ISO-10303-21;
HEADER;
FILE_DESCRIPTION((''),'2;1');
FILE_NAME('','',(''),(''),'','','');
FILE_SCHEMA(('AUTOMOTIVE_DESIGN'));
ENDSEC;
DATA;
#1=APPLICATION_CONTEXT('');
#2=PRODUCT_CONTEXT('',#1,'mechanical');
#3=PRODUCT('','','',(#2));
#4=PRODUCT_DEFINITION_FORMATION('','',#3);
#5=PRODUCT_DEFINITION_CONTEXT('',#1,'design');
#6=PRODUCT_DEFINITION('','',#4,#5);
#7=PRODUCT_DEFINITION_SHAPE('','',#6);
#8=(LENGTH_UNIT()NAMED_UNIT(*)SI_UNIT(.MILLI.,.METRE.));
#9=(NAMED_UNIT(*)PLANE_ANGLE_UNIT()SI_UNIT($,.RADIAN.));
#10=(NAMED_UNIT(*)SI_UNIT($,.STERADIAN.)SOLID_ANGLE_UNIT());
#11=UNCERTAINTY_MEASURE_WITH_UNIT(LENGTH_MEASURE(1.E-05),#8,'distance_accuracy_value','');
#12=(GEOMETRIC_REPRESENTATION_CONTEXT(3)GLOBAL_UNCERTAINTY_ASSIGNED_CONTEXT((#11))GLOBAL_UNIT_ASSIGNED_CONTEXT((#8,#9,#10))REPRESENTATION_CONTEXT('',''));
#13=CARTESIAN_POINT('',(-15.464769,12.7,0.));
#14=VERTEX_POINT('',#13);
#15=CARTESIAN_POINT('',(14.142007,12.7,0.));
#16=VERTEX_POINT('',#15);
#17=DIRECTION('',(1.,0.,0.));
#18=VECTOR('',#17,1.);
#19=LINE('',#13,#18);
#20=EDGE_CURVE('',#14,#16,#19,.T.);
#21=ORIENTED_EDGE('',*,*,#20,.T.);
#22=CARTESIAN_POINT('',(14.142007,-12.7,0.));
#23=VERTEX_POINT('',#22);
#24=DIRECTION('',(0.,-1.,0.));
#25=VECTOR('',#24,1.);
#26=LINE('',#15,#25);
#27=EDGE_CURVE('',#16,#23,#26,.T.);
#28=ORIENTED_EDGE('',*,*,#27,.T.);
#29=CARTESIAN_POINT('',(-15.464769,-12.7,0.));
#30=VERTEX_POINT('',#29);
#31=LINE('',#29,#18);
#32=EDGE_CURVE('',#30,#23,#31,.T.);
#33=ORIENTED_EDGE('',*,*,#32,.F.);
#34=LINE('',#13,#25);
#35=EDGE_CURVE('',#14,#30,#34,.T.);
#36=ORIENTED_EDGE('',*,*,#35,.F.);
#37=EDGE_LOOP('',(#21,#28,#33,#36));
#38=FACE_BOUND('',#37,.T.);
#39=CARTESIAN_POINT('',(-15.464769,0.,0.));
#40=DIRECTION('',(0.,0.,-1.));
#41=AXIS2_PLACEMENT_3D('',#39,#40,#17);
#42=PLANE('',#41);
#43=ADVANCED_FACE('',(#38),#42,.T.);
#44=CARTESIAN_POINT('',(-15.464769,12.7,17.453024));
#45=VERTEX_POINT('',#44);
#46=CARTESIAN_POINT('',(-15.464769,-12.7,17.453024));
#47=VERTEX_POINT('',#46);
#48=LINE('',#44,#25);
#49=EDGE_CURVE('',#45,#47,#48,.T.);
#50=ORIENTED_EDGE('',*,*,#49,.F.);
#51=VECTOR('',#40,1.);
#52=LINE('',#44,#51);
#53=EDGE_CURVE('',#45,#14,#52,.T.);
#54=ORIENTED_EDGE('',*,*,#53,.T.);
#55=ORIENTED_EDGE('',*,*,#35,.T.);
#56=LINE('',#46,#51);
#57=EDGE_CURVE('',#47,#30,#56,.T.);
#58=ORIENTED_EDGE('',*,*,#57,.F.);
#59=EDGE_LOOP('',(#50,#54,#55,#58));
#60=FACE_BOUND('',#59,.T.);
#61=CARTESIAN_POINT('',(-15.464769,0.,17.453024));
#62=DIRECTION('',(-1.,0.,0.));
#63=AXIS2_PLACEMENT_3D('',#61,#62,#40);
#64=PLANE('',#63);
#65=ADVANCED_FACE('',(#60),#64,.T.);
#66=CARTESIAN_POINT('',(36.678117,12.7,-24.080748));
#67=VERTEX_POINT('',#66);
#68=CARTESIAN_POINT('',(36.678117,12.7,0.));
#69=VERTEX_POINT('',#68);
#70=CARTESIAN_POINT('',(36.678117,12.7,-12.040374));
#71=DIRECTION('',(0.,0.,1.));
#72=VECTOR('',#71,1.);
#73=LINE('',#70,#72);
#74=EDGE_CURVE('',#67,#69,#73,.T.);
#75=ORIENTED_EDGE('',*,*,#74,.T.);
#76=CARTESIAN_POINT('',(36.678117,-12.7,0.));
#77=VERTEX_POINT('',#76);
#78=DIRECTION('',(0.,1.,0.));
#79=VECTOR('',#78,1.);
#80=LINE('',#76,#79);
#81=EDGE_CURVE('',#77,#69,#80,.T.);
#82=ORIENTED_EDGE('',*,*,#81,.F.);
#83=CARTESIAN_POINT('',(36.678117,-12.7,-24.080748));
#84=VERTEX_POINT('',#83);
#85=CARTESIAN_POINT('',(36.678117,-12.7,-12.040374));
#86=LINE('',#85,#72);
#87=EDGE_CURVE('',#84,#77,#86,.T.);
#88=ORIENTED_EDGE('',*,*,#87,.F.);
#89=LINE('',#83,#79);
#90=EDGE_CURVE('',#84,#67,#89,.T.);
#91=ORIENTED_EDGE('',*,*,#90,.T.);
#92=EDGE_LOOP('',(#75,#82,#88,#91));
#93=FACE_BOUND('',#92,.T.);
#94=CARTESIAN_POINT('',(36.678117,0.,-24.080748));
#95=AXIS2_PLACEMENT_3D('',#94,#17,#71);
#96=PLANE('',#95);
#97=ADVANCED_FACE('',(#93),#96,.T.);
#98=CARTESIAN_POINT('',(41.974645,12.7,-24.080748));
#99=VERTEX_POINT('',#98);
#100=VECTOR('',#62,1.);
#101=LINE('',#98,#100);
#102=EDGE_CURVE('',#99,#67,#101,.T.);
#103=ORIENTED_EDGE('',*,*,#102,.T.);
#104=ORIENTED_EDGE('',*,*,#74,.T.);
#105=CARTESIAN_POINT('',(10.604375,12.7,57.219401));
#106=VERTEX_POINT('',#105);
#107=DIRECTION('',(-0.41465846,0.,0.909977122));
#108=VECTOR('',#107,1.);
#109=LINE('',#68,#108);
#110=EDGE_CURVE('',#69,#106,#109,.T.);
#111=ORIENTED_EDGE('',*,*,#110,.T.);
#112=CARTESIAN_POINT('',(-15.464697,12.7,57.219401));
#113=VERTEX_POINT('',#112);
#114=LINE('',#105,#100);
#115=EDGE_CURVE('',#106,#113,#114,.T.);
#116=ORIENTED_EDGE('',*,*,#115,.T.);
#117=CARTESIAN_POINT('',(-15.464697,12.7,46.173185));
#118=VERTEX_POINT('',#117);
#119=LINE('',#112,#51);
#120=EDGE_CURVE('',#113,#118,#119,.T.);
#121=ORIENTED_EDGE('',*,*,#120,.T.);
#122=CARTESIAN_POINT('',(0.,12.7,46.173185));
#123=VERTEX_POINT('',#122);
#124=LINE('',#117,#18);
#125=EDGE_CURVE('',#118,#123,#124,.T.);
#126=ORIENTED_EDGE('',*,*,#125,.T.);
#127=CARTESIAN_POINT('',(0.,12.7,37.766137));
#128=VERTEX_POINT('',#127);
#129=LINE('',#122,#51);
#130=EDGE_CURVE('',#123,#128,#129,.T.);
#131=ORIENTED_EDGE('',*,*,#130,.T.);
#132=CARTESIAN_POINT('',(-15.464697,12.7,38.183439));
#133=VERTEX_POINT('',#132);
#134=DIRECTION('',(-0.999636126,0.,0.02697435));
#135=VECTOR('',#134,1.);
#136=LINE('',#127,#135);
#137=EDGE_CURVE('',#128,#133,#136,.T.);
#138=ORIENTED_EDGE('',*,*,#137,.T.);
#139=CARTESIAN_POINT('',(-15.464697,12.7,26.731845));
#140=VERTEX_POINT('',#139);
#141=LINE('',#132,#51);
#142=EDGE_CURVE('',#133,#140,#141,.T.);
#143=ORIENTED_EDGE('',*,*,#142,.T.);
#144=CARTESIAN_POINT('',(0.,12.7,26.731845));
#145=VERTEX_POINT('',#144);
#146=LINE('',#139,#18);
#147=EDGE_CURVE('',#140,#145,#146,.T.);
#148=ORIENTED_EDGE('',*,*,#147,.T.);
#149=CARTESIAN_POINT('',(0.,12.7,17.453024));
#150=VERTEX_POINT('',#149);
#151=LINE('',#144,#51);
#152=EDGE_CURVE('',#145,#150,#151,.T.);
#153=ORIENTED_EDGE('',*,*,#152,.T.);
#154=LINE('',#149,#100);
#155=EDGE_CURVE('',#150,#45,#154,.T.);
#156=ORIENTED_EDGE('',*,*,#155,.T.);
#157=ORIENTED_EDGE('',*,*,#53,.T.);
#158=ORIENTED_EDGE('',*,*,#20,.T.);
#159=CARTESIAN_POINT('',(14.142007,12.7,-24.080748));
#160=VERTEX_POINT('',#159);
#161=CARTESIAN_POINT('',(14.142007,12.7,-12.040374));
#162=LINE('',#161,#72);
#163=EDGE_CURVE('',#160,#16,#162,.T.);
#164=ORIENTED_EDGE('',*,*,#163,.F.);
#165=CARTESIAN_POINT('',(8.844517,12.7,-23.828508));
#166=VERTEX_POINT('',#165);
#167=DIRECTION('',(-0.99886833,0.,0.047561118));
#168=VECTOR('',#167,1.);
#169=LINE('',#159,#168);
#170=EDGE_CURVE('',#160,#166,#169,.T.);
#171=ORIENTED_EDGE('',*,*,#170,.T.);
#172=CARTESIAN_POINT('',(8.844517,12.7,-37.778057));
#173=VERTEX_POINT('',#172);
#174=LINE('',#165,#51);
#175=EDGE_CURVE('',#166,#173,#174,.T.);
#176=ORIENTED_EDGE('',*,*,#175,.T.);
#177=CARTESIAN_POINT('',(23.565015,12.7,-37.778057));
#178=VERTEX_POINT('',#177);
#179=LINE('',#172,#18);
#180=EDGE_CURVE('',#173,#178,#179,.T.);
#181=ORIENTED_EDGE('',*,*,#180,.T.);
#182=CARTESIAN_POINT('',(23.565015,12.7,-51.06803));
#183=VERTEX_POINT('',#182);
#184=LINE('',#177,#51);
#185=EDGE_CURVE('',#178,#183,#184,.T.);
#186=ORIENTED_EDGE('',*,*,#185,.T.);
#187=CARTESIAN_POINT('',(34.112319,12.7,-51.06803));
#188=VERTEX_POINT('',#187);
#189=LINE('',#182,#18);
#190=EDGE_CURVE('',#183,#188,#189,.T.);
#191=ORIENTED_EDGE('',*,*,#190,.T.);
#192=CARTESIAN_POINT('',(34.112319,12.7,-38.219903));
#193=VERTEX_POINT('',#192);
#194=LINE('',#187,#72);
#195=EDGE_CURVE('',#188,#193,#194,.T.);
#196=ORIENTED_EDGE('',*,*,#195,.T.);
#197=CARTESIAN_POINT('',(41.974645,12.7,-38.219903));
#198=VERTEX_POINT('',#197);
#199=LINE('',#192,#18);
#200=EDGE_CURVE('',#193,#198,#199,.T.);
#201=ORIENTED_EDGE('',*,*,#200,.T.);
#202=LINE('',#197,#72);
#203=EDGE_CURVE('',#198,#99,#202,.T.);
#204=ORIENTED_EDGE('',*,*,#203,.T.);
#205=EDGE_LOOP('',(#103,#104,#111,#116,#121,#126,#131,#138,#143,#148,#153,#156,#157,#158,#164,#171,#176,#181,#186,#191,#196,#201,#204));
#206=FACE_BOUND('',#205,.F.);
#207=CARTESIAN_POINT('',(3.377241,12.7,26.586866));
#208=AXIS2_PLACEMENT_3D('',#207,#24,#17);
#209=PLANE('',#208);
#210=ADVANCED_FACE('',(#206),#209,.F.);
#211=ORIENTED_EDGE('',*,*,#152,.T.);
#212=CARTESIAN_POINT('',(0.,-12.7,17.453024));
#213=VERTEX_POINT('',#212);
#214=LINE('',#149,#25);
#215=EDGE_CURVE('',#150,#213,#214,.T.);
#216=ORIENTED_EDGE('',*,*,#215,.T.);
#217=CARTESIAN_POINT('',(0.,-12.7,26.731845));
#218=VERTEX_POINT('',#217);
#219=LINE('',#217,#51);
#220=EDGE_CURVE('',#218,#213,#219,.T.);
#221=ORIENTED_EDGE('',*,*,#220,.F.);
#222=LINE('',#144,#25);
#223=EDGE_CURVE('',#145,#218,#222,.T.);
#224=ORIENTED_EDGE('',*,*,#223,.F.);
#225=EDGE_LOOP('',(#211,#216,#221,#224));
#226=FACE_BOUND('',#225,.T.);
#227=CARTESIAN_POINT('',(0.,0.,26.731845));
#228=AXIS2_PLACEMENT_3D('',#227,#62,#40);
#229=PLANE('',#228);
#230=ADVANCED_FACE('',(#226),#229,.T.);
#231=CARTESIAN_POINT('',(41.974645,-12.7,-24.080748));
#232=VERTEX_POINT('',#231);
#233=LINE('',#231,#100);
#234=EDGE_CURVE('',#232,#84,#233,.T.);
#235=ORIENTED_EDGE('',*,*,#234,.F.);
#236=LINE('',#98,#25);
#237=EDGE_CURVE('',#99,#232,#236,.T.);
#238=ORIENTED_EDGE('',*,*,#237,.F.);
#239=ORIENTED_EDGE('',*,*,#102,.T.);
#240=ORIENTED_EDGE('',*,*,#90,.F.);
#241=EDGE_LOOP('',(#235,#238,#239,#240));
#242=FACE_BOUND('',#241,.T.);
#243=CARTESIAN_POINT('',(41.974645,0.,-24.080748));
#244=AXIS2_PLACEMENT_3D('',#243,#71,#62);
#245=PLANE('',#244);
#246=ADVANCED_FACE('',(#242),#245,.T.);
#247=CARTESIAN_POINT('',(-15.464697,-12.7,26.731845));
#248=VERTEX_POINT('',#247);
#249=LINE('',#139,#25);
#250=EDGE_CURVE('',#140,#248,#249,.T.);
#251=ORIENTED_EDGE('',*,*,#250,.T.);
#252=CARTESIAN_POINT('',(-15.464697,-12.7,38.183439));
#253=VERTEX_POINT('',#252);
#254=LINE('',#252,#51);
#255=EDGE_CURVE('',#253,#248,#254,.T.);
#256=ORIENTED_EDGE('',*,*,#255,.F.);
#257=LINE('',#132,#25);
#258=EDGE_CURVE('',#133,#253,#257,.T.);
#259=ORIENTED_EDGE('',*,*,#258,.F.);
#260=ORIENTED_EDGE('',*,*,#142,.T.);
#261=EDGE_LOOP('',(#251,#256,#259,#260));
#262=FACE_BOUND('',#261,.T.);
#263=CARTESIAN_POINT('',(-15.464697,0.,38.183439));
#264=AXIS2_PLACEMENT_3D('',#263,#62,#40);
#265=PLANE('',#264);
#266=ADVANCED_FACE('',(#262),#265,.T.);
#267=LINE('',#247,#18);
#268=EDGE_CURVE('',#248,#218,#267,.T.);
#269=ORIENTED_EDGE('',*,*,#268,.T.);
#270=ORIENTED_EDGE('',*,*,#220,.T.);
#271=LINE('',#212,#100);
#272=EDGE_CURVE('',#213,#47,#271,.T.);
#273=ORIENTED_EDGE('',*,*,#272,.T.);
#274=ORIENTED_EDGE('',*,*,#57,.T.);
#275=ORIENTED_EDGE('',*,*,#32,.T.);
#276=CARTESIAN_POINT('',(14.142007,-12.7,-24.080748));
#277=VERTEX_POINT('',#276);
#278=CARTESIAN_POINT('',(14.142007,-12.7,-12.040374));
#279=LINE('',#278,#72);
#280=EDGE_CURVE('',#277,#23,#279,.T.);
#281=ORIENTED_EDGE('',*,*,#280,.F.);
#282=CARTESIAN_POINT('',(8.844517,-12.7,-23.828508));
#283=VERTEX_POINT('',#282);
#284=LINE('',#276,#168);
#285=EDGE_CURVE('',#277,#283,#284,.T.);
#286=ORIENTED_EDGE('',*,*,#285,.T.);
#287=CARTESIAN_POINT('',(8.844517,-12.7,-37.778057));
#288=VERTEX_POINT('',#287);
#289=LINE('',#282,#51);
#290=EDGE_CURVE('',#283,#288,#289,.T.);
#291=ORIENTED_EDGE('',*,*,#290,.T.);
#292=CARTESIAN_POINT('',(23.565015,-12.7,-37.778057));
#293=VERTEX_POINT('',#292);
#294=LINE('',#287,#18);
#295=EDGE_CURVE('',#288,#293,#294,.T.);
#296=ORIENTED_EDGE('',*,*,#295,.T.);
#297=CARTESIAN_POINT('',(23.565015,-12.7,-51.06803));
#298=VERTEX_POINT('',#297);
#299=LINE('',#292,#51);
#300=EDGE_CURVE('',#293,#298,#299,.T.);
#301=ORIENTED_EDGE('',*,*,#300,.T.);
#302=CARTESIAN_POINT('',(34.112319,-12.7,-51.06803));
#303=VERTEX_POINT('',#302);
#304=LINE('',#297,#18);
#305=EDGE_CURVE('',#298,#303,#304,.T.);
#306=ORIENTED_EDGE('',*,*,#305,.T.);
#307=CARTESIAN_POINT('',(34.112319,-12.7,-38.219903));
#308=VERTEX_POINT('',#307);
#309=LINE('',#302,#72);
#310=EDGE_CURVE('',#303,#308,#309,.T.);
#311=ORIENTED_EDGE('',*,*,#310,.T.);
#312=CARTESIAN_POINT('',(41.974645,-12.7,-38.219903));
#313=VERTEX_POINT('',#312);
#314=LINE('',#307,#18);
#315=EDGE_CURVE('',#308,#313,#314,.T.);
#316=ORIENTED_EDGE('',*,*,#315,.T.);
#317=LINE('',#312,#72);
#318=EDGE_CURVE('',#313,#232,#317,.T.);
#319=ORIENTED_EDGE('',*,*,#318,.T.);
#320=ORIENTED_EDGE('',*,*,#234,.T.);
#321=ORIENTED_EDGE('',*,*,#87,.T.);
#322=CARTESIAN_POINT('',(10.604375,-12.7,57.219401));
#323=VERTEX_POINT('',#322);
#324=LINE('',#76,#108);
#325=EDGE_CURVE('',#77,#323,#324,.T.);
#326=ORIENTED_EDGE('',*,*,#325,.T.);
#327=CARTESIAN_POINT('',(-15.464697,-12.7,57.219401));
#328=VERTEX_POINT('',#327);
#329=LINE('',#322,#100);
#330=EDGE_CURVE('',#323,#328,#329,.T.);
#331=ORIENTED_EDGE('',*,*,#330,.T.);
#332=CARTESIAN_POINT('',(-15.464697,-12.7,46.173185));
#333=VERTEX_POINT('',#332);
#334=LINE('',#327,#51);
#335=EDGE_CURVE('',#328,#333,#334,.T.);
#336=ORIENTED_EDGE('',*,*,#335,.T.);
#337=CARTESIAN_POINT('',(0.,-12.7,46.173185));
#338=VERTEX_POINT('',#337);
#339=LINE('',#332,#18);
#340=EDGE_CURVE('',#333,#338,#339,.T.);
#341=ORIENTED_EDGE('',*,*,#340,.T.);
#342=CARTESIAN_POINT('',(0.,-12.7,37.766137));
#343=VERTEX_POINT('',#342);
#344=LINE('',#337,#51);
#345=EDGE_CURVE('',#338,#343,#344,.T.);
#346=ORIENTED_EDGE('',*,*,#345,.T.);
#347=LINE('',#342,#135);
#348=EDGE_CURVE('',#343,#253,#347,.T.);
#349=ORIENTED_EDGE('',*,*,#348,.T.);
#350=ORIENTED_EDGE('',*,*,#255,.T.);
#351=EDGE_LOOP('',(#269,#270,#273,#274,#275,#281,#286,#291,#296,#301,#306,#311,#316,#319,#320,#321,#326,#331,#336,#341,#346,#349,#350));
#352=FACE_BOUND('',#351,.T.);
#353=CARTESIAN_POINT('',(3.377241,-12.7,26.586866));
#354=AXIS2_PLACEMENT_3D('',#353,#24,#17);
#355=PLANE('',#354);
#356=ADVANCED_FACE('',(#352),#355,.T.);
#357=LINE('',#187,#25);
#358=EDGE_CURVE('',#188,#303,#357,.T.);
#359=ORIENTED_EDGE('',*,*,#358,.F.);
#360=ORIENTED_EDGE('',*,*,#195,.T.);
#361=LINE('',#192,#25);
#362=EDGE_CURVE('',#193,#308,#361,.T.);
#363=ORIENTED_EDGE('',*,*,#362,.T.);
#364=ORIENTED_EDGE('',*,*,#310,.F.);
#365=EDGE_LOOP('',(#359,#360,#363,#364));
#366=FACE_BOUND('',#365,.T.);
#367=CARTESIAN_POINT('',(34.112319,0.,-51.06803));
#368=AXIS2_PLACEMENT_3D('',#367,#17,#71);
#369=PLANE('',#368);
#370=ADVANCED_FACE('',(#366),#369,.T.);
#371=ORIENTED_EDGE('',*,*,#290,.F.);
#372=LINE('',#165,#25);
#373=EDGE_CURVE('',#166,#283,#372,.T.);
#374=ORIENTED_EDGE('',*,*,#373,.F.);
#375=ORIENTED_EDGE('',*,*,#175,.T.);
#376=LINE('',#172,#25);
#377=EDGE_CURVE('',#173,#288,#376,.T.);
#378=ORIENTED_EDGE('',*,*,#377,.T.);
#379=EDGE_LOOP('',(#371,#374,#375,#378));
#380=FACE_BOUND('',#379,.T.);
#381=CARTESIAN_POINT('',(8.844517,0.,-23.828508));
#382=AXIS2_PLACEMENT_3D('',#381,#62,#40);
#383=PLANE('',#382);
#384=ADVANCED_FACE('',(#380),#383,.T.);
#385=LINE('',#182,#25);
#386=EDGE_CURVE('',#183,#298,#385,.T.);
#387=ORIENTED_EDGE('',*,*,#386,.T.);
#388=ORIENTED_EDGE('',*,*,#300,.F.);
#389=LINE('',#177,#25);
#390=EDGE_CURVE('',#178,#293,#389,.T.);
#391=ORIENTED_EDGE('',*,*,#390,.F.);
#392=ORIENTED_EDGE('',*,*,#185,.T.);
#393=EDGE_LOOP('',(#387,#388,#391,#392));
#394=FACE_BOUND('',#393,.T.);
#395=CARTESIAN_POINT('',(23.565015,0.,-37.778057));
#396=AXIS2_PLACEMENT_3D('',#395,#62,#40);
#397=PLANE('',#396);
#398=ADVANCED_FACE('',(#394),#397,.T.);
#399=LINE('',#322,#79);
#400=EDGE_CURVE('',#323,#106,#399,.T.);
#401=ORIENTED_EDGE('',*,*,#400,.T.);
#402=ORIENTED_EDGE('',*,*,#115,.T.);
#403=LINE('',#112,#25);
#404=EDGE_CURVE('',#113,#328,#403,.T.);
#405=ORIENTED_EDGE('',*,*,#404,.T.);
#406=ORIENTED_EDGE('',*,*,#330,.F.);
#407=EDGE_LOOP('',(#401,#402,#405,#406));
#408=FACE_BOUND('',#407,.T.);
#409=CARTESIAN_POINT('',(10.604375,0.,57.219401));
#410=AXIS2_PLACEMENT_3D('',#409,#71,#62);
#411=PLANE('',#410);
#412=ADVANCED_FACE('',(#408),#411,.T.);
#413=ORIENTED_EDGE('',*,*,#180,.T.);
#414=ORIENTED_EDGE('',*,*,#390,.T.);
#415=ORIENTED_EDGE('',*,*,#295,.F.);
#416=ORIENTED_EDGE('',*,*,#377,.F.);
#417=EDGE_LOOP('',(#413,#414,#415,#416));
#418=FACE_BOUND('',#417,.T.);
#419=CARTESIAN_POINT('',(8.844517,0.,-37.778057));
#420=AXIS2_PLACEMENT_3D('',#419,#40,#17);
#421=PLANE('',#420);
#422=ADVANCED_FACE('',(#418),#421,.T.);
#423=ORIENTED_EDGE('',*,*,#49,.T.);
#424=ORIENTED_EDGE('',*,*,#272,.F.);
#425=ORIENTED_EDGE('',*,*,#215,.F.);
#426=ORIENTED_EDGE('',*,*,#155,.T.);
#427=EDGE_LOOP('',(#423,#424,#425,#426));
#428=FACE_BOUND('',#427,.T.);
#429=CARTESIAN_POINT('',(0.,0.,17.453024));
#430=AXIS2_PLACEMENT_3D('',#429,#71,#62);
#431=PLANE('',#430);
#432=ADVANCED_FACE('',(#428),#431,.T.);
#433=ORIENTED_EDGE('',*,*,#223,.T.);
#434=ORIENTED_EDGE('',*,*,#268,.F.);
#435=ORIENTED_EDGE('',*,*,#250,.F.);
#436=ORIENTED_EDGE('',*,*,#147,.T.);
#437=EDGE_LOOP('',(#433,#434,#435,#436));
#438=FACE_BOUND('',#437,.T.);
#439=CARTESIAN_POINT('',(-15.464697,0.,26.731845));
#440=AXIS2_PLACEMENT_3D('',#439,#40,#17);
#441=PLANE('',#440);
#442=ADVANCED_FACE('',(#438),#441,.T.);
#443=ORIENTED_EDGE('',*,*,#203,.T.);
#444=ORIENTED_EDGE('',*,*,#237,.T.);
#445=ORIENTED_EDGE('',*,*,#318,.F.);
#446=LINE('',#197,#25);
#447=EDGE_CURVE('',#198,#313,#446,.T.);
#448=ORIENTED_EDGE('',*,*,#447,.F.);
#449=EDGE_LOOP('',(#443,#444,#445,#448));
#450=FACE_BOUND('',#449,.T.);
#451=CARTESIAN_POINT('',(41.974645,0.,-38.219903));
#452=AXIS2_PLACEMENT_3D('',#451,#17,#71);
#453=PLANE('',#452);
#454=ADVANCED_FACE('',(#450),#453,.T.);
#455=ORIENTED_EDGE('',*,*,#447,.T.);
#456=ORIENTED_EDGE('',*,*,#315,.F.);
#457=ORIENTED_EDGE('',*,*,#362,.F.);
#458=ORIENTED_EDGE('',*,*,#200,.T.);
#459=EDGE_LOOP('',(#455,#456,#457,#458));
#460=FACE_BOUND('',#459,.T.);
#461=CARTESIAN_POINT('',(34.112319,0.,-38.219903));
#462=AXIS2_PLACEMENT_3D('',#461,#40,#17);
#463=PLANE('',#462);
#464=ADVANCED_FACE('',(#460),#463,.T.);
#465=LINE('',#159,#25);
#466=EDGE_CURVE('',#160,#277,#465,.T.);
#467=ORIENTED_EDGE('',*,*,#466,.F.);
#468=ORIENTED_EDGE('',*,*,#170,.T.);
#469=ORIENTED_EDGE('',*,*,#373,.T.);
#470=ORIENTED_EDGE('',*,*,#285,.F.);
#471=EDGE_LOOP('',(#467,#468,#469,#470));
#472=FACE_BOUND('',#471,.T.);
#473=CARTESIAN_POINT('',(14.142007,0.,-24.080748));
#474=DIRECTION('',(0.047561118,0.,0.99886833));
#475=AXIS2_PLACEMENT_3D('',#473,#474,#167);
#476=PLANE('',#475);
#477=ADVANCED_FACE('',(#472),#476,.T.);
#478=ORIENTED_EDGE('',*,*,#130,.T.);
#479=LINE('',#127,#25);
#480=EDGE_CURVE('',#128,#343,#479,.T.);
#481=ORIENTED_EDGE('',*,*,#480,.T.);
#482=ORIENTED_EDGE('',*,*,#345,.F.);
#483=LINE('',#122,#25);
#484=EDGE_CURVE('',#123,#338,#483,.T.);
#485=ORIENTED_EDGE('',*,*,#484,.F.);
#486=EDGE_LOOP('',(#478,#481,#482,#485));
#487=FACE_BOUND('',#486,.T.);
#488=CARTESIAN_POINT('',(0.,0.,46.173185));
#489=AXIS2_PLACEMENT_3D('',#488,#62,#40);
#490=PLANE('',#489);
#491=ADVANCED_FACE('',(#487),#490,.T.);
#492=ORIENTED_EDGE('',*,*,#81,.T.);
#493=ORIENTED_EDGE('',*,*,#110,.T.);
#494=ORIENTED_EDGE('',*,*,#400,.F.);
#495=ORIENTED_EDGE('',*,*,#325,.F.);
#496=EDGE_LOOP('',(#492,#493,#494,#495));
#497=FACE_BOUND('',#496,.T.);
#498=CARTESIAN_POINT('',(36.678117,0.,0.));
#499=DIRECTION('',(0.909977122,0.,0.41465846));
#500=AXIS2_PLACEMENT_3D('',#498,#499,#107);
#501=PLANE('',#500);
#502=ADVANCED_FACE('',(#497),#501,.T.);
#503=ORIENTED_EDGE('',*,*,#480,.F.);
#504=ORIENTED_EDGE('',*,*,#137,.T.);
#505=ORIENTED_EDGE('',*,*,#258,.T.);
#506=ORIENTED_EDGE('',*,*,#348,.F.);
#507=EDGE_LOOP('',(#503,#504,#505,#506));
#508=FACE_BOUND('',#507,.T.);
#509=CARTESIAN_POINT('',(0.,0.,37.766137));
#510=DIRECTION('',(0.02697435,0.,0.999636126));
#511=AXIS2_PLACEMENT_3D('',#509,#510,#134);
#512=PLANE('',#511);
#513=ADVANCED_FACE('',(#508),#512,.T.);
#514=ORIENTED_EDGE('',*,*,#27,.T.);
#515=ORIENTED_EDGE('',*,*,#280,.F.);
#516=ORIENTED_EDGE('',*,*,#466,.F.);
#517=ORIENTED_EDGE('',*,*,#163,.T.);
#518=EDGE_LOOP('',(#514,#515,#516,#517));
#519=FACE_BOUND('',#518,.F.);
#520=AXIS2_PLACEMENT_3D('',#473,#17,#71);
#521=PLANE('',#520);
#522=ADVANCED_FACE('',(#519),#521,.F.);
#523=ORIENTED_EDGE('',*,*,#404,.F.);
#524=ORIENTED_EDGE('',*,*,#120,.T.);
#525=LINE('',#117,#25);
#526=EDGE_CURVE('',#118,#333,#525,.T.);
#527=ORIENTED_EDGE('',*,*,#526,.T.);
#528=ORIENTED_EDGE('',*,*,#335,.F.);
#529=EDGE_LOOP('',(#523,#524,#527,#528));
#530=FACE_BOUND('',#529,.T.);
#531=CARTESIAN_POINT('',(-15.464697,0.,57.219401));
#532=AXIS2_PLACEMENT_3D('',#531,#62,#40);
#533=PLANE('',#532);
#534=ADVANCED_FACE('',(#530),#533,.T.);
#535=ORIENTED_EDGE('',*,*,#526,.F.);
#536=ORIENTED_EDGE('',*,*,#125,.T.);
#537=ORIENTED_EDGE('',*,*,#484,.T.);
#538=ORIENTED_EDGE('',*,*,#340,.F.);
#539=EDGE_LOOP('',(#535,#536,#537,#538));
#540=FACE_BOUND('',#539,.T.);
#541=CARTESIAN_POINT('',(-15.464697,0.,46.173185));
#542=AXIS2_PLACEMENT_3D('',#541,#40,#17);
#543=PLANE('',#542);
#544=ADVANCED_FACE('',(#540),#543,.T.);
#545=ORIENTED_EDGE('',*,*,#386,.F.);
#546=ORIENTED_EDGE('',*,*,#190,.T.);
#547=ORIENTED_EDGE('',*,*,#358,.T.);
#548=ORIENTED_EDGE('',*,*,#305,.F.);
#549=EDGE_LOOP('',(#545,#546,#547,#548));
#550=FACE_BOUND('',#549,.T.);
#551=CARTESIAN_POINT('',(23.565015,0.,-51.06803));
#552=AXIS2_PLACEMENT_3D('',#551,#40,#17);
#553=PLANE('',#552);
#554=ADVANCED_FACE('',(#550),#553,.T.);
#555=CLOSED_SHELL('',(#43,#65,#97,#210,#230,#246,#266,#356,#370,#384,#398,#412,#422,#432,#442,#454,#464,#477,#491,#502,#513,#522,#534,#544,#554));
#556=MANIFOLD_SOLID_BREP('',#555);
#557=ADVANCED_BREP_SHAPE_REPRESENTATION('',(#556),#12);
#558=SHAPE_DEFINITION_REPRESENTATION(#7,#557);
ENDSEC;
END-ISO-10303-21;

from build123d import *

# Parameters (mm, degrees)
F0_W     = 22.53611
F0_H     = 24.080748
F1_DEPTH = 12.7


with BuildPart() as f1:
    # F0 (on Front) → F1 (new body, symmetric)
    with BuildSketch(Plane.XZ):
        Polygon((10.604375, 57.219401), (-15.464697, 57.219401), (-15.464697, 46.173185), (0, 46.173185), (0, 37.766137), (-15.464697, 38.183439), (-15.464697, 26.731845), (0, 26.731845), (0, 17.453024), (-15.464769, 17.453024), (-15.464769, 0), (14.142007, 0), (36.678117, 0), align=None)
        with Locations((25.410062, -12.040374)):
            Rectangle(F0_W, F0_H)
        Polygon((41.974645, -24.080748), (36.678117, -24.080748), (14.142007, -24.080748), (8.844517, -23.828508), (8.844517, -37.778057), (23.565015, -37.778057), (23.565015, -51.06803), (34.112319, -51.06803), (34.112319, -38.219903), (41.974645, -38.219903), align=None)
    extrude(amount=F1_DEPTH, both=True)


solid = f1.part
